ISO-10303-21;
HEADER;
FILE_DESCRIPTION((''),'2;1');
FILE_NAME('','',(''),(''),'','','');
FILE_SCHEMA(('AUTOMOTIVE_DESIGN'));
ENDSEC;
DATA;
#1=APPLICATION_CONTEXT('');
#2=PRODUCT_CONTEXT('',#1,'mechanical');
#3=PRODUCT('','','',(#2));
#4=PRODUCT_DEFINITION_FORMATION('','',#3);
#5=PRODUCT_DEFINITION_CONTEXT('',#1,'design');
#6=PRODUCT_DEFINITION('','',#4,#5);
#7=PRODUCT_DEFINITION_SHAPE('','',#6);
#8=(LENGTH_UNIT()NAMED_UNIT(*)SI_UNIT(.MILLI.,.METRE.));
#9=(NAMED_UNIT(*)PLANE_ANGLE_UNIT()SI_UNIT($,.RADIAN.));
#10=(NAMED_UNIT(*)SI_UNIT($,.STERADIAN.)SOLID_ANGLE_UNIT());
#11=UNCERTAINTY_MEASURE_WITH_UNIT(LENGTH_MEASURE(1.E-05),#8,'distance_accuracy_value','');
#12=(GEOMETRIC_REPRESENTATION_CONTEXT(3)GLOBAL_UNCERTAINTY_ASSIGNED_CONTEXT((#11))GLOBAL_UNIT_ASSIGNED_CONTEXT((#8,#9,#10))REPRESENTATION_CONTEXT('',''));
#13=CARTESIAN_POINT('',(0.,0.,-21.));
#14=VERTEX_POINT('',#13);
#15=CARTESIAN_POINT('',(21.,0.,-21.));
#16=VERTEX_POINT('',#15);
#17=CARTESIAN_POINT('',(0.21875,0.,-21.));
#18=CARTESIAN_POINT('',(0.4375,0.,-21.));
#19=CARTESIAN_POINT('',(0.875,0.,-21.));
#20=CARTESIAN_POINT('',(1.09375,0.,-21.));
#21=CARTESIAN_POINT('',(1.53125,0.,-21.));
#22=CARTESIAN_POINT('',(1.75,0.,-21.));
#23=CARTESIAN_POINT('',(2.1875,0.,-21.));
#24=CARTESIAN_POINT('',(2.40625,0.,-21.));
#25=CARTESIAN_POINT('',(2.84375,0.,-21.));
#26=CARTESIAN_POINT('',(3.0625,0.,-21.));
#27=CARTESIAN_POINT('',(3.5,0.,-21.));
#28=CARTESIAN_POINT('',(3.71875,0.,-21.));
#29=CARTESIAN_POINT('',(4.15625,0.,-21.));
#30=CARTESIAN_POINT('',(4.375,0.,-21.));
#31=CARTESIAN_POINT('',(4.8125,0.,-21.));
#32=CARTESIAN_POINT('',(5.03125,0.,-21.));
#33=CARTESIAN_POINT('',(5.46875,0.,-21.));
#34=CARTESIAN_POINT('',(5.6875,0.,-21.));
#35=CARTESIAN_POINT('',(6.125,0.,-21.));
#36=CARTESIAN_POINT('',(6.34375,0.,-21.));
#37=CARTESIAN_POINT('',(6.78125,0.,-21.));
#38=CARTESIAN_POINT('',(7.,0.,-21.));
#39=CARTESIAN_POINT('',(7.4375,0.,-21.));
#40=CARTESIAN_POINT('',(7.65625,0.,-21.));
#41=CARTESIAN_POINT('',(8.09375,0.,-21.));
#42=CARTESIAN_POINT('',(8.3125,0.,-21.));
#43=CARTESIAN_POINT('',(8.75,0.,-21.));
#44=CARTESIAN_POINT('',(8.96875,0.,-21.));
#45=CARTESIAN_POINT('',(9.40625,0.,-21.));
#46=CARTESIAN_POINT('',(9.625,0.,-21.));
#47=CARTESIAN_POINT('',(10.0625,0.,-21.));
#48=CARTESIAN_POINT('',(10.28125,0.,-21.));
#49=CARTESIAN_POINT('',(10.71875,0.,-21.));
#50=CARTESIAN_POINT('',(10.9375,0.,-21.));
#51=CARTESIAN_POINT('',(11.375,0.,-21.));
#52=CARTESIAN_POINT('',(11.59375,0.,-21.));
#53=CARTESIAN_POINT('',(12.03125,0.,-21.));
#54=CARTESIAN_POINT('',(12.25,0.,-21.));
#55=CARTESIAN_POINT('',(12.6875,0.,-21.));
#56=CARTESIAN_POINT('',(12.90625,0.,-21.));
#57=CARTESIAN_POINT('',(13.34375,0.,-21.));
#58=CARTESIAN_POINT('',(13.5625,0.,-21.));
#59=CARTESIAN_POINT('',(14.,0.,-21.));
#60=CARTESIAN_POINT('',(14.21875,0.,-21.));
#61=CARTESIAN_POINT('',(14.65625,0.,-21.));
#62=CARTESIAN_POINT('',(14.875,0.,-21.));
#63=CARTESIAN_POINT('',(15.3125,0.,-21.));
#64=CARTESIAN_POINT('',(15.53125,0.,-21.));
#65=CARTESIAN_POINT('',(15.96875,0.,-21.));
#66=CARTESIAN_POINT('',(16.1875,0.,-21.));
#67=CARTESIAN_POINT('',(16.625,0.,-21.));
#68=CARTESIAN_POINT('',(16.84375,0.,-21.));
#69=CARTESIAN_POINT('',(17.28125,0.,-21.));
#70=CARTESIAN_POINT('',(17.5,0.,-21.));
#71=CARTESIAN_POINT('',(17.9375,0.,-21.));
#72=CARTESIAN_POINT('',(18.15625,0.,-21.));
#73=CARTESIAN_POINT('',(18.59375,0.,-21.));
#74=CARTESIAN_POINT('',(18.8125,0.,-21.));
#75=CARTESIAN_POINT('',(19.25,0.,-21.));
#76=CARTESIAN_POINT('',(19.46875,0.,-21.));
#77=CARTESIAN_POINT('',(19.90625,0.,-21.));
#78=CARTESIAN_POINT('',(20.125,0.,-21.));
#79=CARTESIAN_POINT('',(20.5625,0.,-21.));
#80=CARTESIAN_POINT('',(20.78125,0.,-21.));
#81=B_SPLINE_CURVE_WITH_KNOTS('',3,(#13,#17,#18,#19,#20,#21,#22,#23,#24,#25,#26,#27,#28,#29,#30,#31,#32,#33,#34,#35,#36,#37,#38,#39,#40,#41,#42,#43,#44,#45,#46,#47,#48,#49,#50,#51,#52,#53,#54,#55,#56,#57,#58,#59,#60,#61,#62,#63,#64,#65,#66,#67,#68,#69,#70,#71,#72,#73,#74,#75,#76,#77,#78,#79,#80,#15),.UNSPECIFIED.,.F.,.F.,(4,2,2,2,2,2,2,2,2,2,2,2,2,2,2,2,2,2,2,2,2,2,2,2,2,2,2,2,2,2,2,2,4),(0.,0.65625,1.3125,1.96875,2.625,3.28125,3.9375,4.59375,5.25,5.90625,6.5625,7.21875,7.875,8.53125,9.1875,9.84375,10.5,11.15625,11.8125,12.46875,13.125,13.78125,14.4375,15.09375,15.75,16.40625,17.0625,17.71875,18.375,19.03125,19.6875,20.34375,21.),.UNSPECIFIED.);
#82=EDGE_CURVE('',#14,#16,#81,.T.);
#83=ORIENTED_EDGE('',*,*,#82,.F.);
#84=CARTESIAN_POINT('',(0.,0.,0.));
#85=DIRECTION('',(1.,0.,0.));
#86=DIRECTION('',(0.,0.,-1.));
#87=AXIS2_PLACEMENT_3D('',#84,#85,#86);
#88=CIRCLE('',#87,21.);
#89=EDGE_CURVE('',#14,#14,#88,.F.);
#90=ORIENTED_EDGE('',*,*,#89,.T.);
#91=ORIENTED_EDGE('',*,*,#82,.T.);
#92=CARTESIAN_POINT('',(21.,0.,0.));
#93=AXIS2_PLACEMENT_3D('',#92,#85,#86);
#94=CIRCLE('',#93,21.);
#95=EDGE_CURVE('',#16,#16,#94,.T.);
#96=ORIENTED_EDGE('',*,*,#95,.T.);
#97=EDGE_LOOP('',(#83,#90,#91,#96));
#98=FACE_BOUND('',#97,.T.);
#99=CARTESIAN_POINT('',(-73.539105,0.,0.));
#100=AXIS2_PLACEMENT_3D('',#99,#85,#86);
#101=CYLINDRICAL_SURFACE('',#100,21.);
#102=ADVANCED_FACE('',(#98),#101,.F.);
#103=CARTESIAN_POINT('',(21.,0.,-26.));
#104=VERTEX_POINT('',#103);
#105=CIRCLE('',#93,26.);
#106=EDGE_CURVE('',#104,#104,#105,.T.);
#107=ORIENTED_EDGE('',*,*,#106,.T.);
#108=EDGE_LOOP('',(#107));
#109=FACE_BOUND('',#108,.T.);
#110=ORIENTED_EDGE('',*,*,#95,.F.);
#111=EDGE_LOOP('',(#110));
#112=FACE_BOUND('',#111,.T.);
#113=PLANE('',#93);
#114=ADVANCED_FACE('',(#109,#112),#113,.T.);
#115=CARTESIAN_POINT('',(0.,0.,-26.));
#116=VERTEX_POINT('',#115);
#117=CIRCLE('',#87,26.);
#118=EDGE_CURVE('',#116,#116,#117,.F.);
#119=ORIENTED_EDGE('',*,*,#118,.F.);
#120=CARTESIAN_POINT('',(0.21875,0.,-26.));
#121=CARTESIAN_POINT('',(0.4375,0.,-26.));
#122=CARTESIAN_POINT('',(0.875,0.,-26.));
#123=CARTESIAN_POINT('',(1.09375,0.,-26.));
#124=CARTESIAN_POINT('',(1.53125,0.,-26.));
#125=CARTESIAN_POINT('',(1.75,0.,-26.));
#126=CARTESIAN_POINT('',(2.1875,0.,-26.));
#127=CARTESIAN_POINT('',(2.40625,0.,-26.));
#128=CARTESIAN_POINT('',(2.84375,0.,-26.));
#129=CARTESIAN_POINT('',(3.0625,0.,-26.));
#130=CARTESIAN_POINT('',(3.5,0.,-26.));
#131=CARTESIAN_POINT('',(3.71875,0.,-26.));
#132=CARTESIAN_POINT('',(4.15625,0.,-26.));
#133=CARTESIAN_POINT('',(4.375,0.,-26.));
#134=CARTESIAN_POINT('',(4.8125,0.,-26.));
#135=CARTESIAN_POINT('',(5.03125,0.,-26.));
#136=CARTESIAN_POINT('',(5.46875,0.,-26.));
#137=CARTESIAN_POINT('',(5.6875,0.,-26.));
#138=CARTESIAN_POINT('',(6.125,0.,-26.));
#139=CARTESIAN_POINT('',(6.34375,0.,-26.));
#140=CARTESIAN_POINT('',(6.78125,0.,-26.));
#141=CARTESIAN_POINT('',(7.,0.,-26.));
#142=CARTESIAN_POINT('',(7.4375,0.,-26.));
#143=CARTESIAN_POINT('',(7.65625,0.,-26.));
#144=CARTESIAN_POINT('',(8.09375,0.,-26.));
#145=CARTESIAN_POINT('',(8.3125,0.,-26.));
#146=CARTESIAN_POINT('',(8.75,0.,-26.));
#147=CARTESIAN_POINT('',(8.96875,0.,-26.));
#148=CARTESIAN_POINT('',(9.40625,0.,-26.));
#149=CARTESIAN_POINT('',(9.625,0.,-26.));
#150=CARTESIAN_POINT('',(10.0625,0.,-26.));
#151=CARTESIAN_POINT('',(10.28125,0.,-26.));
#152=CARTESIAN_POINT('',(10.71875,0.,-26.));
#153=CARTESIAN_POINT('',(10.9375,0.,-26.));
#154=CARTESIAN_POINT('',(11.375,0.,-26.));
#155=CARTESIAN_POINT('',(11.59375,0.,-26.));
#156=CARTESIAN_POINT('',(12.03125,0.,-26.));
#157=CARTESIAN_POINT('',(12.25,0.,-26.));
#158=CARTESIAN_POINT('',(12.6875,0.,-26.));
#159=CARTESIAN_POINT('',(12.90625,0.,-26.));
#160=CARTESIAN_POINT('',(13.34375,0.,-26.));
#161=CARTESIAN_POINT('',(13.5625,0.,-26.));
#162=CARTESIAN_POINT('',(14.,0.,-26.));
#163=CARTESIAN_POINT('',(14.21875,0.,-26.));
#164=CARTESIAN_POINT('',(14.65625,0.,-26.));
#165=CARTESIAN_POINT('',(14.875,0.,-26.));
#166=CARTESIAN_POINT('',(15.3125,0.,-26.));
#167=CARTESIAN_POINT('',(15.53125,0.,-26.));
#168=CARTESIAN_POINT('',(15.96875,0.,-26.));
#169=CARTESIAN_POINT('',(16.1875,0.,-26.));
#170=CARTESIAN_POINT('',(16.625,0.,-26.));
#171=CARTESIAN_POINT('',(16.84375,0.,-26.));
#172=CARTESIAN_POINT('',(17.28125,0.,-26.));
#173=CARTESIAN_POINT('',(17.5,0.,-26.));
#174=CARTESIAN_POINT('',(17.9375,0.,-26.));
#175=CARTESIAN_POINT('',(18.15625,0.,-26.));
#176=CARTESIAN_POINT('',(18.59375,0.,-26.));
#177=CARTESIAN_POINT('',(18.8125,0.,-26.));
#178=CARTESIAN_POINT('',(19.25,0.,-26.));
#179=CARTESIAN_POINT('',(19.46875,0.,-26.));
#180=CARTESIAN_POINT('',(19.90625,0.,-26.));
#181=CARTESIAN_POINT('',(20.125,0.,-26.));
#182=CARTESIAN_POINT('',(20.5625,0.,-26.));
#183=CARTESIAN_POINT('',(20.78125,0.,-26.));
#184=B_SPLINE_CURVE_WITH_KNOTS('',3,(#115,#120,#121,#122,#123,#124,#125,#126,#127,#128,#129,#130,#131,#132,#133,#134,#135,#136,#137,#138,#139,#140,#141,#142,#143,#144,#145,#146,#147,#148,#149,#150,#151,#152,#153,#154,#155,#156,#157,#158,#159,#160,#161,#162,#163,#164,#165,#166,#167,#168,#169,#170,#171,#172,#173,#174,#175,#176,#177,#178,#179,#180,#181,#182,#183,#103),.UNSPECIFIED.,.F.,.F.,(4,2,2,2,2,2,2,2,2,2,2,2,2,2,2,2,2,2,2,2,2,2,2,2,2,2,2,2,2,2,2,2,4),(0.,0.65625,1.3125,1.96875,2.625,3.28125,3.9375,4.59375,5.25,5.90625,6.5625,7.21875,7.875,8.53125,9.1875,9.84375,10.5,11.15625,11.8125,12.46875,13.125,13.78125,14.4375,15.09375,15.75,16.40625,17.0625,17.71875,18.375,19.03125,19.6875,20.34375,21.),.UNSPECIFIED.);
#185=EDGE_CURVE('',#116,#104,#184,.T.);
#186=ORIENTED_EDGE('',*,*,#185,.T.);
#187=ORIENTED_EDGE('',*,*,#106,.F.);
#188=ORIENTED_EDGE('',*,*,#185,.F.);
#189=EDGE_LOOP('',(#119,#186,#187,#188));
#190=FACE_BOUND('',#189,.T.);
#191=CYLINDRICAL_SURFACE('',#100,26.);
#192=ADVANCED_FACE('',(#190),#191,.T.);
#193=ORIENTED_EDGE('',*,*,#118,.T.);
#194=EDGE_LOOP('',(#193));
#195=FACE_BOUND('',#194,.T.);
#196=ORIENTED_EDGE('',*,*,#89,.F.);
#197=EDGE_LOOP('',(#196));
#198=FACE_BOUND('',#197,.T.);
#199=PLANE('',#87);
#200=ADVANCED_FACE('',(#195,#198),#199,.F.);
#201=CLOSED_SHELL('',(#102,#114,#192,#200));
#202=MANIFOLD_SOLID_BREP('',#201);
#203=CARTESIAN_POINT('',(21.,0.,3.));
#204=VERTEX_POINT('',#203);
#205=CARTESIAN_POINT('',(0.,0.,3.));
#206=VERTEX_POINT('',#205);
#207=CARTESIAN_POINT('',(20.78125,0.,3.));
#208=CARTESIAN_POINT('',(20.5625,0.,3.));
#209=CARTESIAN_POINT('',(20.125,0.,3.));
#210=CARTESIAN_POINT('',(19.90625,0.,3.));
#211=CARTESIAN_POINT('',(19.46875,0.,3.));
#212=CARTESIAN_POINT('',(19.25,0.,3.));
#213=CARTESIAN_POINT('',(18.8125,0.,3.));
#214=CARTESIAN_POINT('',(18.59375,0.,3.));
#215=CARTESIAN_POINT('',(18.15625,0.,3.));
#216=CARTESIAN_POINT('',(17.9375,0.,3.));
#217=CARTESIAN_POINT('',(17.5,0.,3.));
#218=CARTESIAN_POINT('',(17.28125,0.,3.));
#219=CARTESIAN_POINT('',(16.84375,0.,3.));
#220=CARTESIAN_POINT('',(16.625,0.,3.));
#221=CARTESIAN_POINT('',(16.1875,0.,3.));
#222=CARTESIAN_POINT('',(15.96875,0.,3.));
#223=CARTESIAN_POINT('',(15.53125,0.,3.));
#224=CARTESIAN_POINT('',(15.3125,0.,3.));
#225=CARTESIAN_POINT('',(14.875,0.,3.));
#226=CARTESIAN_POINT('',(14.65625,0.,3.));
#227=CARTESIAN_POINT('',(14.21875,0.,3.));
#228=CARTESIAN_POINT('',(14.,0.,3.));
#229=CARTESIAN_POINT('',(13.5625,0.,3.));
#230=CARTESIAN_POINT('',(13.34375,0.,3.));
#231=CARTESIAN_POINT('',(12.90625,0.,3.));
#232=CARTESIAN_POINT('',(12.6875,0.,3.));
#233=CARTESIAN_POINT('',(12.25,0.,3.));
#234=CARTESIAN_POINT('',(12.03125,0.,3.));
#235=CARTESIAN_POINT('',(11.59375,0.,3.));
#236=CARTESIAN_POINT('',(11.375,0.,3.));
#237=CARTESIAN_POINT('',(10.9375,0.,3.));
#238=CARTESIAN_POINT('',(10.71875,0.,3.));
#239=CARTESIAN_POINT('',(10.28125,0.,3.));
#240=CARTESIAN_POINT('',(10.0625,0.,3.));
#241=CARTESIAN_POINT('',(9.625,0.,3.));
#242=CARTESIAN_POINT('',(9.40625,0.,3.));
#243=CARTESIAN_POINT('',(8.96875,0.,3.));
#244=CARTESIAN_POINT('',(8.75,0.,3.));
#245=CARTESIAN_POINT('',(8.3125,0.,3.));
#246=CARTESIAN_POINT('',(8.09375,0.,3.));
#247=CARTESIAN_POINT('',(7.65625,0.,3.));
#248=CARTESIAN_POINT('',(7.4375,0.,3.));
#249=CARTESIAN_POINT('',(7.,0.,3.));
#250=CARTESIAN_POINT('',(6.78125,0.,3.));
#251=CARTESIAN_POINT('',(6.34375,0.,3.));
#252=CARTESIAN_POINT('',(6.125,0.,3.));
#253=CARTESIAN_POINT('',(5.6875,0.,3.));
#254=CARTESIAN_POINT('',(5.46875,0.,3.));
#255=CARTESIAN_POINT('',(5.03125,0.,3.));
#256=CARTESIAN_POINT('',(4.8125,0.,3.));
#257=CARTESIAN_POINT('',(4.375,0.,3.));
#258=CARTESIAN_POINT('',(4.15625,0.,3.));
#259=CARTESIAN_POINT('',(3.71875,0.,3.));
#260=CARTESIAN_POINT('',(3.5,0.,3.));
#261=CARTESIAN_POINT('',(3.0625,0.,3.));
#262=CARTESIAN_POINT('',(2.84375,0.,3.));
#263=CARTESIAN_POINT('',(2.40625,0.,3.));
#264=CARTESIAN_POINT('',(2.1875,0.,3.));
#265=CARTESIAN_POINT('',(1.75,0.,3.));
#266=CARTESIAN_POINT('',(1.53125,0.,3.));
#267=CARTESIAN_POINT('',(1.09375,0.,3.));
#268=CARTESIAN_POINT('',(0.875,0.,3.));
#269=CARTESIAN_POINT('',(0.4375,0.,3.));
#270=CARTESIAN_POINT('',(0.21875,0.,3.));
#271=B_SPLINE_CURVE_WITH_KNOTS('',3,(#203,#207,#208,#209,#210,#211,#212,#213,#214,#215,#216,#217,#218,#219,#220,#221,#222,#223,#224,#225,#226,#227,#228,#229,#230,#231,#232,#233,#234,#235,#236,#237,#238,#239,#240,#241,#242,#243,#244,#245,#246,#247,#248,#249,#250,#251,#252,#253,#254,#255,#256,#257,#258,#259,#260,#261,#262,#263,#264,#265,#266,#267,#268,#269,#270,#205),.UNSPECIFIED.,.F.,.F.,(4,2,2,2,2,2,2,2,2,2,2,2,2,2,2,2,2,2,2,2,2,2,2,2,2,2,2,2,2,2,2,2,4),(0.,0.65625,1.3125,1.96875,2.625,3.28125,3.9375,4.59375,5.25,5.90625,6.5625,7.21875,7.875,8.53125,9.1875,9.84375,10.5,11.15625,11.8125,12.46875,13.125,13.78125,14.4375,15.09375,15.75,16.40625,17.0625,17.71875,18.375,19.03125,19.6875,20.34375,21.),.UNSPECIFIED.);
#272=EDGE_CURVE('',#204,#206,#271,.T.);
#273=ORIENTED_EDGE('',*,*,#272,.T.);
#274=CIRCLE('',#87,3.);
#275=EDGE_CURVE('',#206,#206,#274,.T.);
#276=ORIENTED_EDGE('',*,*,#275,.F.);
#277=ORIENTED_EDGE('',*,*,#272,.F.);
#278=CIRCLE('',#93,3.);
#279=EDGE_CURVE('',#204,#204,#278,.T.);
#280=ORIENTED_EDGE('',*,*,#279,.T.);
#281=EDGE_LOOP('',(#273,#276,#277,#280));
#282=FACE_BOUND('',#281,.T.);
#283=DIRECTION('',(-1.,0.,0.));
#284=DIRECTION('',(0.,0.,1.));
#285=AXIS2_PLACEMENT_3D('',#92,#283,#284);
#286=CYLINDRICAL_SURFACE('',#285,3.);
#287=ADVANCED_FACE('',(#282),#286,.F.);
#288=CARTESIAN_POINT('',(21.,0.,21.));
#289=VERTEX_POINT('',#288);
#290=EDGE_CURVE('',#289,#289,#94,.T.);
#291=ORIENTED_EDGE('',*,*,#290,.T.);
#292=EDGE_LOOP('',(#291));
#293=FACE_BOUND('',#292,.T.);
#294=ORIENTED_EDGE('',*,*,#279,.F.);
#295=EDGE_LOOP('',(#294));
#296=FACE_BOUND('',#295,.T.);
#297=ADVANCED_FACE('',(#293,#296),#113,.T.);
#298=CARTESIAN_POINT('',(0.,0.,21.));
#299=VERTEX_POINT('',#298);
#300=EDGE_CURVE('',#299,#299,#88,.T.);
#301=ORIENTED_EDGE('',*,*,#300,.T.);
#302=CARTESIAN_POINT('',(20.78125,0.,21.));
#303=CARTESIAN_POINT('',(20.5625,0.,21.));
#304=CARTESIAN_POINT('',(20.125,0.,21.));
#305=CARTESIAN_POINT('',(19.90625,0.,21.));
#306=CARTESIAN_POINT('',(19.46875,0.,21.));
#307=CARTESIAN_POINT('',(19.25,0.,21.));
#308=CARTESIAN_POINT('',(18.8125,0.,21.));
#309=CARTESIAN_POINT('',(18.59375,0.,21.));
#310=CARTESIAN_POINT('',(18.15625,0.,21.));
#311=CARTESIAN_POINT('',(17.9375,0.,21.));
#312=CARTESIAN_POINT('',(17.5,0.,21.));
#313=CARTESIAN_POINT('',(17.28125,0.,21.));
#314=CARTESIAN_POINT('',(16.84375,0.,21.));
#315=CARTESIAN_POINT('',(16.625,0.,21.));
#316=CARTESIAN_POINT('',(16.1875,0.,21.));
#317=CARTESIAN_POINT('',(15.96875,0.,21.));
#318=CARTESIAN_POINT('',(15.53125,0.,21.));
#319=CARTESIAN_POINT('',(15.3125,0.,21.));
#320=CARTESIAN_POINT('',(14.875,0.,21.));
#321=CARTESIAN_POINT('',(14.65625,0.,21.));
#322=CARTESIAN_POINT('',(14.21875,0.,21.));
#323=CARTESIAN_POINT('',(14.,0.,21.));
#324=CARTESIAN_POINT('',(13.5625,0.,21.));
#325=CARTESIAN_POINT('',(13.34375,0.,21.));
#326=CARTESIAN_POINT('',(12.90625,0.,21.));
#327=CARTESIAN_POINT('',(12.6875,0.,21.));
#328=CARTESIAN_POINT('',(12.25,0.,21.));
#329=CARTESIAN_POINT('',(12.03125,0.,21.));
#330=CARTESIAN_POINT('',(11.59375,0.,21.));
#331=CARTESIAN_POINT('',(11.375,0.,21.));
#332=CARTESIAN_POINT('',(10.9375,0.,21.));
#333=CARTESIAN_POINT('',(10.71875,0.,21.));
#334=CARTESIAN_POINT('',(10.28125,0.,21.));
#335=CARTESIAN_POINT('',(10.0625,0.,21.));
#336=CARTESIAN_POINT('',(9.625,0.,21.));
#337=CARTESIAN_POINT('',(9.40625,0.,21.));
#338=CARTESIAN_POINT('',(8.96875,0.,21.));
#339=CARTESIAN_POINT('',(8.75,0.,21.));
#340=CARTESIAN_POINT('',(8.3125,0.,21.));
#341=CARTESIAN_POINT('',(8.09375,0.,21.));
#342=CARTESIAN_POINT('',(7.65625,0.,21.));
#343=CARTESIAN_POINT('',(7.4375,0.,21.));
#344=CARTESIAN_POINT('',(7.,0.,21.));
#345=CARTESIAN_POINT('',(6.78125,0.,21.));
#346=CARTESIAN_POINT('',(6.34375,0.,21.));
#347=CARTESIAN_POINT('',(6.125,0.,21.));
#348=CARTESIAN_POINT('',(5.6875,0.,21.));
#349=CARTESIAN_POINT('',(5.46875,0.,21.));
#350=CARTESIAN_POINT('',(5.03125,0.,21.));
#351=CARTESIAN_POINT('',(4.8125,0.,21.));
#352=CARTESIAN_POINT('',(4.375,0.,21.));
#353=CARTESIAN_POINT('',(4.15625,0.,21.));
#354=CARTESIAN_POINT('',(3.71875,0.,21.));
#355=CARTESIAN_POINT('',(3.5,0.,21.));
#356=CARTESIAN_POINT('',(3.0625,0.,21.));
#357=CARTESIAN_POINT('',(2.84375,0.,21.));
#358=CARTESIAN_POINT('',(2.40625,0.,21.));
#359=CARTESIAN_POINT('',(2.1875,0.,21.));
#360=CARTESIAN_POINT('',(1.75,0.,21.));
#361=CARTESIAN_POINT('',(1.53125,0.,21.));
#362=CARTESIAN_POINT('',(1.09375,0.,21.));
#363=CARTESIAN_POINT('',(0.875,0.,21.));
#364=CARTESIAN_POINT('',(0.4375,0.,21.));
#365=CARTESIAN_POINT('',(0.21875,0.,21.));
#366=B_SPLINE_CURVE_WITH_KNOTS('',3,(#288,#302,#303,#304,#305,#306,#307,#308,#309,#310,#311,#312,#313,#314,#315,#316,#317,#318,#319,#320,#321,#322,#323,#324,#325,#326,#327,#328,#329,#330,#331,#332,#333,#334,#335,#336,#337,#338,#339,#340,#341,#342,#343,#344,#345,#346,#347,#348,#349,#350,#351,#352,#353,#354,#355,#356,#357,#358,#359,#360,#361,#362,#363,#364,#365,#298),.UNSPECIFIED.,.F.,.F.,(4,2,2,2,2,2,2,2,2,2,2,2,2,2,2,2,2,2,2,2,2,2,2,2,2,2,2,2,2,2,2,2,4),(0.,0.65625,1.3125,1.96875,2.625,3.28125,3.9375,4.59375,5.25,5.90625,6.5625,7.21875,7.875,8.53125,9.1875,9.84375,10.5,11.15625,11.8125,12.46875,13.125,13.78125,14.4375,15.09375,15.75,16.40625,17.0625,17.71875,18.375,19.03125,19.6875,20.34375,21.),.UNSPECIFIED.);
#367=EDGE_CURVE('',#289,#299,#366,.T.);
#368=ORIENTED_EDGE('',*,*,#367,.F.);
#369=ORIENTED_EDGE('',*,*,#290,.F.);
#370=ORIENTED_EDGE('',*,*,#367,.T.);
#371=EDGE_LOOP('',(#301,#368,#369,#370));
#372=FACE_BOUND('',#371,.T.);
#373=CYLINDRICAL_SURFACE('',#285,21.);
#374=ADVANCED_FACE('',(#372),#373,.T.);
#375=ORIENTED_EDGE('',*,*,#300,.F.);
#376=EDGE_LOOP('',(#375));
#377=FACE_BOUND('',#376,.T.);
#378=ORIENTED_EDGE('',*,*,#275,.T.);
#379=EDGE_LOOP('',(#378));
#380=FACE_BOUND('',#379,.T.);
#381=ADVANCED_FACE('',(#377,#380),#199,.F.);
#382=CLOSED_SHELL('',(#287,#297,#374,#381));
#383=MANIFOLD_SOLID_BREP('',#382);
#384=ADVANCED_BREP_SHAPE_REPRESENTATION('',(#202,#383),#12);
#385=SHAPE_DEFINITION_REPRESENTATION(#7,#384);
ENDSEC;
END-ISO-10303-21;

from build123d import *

# Parameters (mm, degrees)
SKETCH1_R           = 21
SKETCH1_R_2         = 3
BOSS_EXTRUDE1_DEPTH = 21
SKETCH2_R           = 26
SKETCH2_R_2         = 21
BOSS_EXTRUDE2_DEPTH = 21


with BuildPart() as part:
    # Sketch1 → Boss-Extrude1 (new body)
    with BuildSketch(Plane(origin=(0, 0, 0), x_dir=(0, 0, -1), z_dir=(1, 0, 0))):
        with Locations(Location((0, 0, 0), (0, 0, 180))):
            Circle(SKETCH1_R)
        with Locations(Location((0, 0, 0), (0, 0, 180))):
            Circle(SKETCH1_R_2, mode=Mode.SUBTRACT)
    extrude(amount=BOSS_EXTRUDE1_DEPTH)


with BuildPart() as body_2:
    # Sketch2 → Boss-Extrude2 (new body)
    with BuildSketch(Plane(origin=(21, 0, 0), x_dir=(0, 0, -1), z_dir=(1, 0, 0))):
        Circle(SKETCH2_R)
        Circle(SKETCH2_R_2, mode=Mode.SUBTRACT)
    extrude(amount=-BOSS_EXTRUDE2_DEPTH)


solid = Compound([part.part, body_2.part])
